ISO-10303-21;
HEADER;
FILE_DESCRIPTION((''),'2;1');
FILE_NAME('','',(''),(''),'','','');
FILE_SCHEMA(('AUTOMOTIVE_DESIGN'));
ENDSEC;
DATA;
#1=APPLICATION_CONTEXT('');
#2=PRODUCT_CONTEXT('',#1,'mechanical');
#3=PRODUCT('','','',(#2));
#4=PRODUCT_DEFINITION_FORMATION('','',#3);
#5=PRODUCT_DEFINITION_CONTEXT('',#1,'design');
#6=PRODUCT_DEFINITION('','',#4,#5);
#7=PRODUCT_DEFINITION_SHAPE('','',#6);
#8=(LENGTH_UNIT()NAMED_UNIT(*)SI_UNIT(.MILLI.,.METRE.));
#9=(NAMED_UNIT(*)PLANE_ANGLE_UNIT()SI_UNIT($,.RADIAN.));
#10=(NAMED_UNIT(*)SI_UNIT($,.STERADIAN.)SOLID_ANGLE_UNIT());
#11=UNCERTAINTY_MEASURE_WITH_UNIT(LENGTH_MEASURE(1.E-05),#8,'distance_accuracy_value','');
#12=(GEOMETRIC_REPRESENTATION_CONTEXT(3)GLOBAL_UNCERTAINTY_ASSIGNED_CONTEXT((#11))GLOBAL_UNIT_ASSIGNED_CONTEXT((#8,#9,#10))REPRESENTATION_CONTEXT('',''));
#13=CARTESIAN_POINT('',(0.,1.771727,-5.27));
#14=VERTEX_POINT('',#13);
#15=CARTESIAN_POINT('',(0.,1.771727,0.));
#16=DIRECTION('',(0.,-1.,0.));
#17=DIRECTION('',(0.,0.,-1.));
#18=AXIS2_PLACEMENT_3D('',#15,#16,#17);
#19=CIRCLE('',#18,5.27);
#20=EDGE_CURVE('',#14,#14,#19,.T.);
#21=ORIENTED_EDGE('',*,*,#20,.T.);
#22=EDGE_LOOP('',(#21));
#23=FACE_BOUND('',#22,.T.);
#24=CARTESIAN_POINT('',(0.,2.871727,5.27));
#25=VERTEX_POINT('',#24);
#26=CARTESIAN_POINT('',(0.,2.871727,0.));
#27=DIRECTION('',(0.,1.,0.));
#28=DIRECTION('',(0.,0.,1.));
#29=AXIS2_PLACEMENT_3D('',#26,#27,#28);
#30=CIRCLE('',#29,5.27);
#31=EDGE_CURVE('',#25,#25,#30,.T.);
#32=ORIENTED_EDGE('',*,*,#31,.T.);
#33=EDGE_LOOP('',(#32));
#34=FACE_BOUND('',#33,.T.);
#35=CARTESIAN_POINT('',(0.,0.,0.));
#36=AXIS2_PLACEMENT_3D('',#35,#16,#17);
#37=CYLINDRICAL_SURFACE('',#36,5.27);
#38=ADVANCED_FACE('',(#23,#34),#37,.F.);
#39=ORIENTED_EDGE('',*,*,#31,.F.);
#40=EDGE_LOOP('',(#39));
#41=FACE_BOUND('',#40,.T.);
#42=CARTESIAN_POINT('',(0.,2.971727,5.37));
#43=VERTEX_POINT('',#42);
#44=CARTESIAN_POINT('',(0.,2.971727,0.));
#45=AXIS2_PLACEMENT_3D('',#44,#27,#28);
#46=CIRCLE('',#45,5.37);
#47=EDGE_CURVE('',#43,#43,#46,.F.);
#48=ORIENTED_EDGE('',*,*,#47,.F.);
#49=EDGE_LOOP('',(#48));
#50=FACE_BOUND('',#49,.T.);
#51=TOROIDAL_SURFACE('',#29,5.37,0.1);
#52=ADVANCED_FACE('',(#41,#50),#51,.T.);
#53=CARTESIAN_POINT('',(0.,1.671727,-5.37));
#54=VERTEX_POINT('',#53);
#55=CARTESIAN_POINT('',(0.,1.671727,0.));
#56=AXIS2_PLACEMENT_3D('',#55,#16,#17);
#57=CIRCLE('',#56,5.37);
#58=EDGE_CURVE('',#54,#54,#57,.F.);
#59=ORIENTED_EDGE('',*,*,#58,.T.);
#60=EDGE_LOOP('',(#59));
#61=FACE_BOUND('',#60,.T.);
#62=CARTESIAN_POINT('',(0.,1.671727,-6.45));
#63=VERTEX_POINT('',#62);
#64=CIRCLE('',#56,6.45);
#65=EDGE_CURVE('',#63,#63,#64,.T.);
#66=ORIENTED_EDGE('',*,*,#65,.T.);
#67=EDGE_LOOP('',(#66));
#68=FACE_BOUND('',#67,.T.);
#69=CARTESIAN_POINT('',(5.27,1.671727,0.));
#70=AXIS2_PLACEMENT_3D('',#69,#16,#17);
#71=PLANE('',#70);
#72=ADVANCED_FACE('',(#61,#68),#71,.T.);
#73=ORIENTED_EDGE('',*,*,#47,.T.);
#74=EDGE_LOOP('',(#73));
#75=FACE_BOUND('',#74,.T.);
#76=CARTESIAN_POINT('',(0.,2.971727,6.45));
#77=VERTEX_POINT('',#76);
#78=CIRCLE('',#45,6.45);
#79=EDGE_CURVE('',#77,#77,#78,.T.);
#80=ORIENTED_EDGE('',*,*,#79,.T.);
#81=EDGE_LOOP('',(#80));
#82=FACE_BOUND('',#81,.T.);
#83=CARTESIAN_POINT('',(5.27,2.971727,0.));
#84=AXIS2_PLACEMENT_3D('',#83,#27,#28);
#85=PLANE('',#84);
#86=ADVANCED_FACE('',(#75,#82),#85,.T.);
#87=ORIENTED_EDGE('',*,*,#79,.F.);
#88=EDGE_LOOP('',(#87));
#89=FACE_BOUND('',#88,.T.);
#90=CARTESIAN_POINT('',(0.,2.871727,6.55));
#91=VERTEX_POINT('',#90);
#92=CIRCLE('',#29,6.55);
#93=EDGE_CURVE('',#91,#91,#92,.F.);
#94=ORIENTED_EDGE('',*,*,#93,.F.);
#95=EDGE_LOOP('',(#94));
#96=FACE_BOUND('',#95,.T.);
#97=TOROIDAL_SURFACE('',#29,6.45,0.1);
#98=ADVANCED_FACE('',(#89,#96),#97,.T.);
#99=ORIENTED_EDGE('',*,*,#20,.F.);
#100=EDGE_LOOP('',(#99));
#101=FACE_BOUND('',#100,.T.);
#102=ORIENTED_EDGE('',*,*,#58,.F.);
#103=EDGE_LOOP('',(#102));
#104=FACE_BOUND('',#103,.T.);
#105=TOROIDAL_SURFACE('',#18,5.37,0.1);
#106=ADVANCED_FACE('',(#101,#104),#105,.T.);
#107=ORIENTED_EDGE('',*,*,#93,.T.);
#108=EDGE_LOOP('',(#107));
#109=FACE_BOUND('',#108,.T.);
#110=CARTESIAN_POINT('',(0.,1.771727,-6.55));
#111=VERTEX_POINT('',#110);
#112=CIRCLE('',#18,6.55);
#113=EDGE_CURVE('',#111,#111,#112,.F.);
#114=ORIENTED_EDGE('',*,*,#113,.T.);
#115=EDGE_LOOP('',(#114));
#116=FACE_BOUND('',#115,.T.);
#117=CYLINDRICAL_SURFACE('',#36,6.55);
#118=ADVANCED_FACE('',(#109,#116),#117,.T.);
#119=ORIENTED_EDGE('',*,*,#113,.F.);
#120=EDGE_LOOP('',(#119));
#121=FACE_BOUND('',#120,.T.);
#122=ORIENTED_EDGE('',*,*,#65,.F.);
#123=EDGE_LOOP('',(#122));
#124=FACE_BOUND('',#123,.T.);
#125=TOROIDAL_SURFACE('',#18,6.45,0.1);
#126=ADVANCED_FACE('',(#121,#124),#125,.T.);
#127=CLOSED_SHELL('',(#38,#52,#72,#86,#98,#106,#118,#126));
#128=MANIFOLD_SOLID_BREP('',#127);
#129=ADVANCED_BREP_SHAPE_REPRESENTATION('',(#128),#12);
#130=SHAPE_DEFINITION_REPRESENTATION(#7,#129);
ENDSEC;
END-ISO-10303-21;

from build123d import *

# Parameters (mm, degrees)
ESQUISSE1_W = 1.28
ESQUISSE1_H = 1.3
CONG_1_R    = 0.1


with BuildPart() as part:
    # Esquisse1 → Révolution1 (revolve)
    with BuildSketch(Plane.XY):
        with Locations((5.91, 2.321727173)):
            Rectangle(ESQUISSE1_W, ESQUISSE1_H)
    revolve(axis=Axis((0, 0, 0), (0, 1, 0)))

    # Congé1
    cong_1_edges = [part.edges().sort_by_distance(p)[0] for p in [
        (-5.27, 2.971727173, 0),
        (-6.55, 2.971727173, 0),
        (-6.55, 1.671727173, 0),
        (-5.27, 1.671727173, 0),
    ]]
    fillet(cong_1_edges, radius=CONG_1_R)


solid = part.part
